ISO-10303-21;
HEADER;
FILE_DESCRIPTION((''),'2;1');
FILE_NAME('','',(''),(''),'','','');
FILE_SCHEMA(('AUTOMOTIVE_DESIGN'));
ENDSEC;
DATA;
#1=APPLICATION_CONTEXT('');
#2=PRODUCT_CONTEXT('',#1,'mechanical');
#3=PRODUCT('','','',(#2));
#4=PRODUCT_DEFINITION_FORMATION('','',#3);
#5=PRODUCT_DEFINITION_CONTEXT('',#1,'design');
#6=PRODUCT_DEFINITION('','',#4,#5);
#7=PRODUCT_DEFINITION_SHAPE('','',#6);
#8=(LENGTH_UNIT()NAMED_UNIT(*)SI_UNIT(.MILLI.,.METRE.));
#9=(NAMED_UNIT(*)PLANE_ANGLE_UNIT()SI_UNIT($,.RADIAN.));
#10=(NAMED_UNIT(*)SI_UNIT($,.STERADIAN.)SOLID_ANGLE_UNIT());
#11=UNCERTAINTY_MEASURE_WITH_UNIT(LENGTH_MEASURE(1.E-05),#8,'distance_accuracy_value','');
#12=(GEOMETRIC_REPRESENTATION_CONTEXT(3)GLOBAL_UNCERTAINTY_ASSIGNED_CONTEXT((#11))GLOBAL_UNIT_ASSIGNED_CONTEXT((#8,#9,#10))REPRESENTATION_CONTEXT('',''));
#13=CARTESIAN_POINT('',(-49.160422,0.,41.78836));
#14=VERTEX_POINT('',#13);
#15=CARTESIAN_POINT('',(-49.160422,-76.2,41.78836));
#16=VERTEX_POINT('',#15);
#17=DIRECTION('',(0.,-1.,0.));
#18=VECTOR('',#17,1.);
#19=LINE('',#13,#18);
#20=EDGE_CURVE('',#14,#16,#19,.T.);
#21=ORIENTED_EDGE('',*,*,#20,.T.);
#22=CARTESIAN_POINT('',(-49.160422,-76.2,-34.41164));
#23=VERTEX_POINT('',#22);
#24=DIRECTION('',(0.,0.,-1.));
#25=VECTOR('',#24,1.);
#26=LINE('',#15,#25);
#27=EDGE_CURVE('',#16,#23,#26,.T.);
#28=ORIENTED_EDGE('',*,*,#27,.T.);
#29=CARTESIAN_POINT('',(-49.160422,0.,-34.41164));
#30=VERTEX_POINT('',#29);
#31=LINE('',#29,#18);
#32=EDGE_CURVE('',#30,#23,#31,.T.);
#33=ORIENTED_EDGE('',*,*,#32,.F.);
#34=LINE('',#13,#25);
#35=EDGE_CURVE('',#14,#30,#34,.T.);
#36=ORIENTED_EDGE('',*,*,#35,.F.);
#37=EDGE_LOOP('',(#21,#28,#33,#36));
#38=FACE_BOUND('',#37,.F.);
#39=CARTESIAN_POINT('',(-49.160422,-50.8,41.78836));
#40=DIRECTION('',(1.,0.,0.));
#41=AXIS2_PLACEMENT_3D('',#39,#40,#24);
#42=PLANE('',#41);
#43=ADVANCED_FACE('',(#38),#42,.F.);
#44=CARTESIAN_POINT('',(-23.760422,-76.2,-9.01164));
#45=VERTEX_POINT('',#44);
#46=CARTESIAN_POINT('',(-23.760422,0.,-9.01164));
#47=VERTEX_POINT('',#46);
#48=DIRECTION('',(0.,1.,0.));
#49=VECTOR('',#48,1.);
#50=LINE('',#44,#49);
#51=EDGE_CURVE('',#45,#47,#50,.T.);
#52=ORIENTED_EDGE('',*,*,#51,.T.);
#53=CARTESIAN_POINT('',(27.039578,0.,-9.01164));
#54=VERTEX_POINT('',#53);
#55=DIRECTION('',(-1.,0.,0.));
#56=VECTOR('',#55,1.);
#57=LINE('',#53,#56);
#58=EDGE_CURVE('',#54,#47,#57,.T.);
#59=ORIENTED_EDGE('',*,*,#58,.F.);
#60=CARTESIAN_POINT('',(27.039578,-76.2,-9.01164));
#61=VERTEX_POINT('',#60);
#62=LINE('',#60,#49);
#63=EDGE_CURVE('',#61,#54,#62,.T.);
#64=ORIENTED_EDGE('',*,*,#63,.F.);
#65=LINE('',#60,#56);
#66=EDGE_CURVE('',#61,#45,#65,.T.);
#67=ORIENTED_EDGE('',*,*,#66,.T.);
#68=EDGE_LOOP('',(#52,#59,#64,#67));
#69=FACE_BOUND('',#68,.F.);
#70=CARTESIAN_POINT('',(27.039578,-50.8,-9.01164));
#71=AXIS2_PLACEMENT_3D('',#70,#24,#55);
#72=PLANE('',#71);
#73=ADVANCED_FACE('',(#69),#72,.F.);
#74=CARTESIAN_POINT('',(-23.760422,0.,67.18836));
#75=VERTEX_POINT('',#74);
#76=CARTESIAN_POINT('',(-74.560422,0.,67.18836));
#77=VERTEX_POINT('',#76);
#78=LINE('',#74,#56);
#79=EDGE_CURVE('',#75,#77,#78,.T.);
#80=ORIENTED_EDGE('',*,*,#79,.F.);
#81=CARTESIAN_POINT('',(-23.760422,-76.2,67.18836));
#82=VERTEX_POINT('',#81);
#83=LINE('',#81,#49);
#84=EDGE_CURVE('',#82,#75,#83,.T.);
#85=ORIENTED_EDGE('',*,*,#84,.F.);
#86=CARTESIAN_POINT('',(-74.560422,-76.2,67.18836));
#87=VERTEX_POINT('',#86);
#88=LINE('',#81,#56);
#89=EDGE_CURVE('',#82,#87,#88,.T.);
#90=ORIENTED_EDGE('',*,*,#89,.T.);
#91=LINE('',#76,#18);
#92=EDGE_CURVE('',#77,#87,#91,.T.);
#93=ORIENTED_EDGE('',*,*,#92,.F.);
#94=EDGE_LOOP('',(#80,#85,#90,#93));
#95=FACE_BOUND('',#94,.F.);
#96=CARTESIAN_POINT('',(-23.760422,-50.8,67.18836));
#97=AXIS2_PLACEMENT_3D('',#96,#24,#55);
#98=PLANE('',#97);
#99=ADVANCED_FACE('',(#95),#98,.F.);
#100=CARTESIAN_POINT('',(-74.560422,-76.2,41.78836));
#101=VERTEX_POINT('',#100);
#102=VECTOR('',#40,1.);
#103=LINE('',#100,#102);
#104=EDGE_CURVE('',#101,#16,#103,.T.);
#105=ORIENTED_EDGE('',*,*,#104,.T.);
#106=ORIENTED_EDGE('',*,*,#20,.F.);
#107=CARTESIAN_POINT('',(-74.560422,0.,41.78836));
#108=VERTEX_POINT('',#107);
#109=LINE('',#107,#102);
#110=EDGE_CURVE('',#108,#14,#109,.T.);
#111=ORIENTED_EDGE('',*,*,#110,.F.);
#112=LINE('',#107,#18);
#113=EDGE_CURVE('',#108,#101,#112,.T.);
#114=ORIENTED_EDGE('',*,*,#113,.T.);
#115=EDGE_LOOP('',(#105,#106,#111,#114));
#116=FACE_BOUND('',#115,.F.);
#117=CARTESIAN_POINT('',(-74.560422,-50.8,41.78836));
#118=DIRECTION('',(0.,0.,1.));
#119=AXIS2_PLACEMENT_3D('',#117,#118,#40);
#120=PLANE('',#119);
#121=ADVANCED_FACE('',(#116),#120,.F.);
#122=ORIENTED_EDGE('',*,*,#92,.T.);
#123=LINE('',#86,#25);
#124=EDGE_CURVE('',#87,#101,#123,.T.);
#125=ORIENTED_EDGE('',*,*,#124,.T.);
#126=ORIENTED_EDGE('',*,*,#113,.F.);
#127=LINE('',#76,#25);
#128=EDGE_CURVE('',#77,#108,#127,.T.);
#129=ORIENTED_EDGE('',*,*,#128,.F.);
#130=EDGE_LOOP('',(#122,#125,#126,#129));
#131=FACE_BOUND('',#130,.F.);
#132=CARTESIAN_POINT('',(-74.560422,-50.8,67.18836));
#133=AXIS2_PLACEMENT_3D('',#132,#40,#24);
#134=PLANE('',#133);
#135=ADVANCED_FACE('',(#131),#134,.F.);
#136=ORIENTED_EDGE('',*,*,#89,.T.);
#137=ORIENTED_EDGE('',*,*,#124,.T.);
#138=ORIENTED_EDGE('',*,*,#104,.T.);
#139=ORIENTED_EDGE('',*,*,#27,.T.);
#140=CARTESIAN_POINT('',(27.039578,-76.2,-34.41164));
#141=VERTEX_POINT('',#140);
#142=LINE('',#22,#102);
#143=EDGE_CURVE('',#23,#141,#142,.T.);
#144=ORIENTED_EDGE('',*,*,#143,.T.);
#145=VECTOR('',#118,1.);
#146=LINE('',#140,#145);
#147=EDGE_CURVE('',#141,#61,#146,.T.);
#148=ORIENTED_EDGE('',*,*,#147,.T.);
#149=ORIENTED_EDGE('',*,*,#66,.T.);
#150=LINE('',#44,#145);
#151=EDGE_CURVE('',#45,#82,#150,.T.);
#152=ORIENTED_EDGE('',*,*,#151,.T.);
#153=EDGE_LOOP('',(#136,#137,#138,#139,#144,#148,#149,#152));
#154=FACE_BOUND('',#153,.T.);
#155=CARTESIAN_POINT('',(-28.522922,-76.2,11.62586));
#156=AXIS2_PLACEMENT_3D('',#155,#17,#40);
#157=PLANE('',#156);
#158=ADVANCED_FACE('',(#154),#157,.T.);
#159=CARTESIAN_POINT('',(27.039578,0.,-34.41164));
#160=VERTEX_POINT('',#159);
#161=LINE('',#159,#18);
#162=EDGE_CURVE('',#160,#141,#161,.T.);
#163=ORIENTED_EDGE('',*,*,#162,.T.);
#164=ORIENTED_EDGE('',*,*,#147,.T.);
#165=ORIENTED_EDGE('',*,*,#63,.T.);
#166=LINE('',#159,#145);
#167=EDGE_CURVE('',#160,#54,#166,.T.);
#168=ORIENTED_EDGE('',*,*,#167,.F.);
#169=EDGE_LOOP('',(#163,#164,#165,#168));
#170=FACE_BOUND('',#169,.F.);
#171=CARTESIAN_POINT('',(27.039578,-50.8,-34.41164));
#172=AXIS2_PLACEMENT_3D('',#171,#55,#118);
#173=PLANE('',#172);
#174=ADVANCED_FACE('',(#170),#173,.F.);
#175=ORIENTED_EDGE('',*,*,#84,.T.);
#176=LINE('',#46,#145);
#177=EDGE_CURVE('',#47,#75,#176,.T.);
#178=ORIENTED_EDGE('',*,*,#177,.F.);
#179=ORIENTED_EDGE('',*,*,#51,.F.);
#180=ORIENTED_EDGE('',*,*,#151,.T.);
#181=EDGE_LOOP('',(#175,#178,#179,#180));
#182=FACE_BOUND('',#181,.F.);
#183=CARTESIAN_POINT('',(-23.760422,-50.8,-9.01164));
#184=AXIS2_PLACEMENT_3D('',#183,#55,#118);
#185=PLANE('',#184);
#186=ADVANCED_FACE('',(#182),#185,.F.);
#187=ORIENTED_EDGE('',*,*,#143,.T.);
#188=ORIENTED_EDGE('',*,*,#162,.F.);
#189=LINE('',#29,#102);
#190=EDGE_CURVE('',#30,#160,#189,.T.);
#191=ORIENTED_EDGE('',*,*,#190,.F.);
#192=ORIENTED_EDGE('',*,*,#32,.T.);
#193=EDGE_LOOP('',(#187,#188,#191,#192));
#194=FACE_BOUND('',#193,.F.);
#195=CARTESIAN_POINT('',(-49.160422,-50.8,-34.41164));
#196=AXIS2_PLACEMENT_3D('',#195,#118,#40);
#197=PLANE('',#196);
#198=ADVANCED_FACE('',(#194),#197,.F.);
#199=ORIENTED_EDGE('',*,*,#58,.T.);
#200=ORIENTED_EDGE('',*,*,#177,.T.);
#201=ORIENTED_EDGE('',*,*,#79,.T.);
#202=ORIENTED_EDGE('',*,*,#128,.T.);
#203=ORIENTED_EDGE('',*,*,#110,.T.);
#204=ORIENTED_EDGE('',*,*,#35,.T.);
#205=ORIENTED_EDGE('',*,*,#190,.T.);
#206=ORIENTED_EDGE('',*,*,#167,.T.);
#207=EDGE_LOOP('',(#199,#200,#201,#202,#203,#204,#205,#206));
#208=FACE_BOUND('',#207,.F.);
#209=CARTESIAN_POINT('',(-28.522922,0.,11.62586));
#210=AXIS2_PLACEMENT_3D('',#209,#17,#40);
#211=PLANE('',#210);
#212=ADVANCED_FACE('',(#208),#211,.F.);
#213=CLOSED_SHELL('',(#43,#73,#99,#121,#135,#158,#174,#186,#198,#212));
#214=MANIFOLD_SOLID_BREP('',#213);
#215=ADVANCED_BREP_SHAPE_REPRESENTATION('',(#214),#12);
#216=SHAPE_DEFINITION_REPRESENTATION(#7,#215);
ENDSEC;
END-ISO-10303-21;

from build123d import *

# Parameters (mm, degrees)
F1_DEPTH = 25.4
F2_DEPTH = 25.4
F3_DEPTH = 25.4


with BuildPart() as f1:
    # F0 (on Front) → F1 (new body)
    with BuildSketch(Plane.XZ):
        Polygon((-23.7604218155, 67.1883597866), (-74.5604218155, 67.1883597866), (-74.5604218155, 41.7883597866), (-49.1604218155, 41.7883597866), (-49.1604218155, -34.4116402134), (27.0395781845, -34.4116402134), (27.0395781845, -9.0116402134), (-23.7604218155, -9.0116402134), align=None)
    extrude(amount=F1_DEPTH)

    # F2 (add): a face of the model
    f2_faces = [f1.faces().sort_by_distance(p)[0] for p in [
        (-29.2032789584, -25.4, 10.9455026437),
    ]]
    extrude(f2_faces, amount=F2_DEPTH)

    # F3 (add): a face of the model
    f3_faces = [f1.faces().sort_by_distance(p)[0] for p in [
        (-29.2032789584, -50.8, 10.9455026437),
    ]]
    extrude(f3_faces, amount=F3_DEPTH)


solid = f1.part
